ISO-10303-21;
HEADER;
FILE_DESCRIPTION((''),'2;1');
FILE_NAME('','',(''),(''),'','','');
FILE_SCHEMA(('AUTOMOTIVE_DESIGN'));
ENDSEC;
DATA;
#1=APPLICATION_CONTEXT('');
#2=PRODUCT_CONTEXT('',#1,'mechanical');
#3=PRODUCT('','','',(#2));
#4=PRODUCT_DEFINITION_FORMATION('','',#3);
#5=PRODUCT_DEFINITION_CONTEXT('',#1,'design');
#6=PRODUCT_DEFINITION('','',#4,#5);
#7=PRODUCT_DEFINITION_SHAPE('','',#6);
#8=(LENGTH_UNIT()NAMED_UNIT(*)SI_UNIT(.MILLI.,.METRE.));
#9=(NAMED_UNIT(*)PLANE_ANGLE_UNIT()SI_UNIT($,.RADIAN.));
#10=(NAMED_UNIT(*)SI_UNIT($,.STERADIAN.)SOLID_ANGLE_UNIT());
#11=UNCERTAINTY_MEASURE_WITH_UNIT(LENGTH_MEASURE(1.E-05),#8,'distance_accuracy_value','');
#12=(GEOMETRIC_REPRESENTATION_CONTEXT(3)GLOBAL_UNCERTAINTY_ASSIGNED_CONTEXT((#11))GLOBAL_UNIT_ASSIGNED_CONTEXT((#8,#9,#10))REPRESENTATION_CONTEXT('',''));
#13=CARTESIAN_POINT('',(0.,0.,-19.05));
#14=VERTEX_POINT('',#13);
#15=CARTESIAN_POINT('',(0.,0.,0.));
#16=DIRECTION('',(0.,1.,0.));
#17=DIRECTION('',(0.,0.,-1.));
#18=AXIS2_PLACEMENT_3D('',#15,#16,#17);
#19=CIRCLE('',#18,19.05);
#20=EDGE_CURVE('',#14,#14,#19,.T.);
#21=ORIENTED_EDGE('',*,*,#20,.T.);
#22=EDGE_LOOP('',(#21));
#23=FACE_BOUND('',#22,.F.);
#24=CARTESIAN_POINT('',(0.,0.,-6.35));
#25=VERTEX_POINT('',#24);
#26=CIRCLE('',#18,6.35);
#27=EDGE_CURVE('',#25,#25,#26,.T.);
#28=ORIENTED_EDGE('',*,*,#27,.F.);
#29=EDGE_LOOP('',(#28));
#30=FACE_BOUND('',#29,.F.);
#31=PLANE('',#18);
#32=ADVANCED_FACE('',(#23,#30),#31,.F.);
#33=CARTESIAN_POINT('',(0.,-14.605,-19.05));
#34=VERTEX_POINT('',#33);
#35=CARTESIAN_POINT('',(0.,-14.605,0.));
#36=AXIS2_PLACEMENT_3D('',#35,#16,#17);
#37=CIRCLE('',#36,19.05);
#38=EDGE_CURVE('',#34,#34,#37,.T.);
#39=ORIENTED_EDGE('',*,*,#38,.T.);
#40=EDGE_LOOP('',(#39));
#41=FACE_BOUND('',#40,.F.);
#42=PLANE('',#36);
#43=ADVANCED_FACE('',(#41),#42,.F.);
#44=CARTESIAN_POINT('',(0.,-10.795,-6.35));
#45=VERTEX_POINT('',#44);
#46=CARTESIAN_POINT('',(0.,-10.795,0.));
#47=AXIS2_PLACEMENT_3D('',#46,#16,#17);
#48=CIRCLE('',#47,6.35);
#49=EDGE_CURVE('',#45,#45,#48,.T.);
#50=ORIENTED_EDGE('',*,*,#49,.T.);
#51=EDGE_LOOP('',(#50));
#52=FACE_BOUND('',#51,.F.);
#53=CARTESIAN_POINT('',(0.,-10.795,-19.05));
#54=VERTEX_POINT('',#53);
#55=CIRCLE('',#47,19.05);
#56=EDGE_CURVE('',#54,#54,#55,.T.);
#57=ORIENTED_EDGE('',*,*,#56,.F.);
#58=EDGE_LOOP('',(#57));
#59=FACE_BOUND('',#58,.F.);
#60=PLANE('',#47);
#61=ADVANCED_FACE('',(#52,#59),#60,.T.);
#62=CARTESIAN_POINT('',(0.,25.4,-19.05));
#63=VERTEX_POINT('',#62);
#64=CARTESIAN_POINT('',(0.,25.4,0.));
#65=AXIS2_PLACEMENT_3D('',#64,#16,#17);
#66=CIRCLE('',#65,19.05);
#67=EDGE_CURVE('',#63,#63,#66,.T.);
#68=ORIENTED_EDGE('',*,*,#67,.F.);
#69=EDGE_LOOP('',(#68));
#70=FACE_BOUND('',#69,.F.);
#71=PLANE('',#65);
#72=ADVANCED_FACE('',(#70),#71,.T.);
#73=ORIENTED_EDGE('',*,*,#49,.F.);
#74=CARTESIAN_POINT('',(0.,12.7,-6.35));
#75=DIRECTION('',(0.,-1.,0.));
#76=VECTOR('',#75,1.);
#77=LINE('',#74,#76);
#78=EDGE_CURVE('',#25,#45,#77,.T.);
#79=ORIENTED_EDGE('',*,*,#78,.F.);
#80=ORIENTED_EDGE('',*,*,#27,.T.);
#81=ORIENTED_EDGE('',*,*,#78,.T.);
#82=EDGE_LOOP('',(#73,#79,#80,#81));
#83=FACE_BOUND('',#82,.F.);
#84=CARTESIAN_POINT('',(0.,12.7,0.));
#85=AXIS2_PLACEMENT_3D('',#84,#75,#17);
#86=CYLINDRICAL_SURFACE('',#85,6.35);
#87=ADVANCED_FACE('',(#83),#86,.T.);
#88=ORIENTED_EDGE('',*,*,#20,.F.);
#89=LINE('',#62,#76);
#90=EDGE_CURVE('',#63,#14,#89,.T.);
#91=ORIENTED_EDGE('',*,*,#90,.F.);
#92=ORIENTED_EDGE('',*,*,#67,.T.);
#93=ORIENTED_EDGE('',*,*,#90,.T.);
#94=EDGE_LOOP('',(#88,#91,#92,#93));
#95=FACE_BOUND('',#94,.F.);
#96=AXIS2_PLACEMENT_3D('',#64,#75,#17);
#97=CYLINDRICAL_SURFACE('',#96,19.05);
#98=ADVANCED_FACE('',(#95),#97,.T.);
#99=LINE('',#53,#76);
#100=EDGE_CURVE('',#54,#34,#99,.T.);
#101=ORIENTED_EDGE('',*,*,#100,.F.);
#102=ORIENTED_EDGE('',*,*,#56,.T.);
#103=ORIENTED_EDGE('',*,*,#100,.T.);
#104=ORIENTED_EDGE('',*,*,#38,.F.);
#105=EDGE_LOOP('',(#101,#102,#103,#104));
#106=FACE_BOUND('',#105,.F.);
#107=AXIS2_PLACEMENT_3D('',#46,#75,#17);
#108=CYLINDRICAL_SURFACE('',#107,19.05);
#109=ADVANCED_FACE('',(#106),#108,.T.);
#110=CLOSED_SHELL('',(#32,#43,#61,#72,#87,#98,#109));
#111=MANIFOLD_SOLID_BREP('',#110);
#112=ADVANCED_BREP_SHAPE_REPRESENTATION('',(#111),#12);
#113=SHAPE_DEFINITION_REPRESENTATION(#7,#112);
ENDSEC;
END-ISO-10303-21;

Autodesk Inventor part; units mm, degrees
ref_plane "YZ Plane" through (0, 0, 0) normal (1, 0, 0) x (0, 1, 0)
ref_plane "XZ Plane" through (0, 0, 0) normal (0, 1, 0) x (-1, 0, 0)
ref_plane "XY Plane" through (0, 0, 0) normal (0, 0, 1) x (1, 0, 0)
sketch "Sketch1" plane through (0, 0, 0) normal (1, 0, 0) x (0, 1, 0)
  line L0 (-12.7, 6.35) -> (12.7, 6.35)
  line L1 (12.7, 6.35) -> (12.7, -6.35)
  line L2 (12.7, -6.35) -> (-12.7, -6.35)
  line L3 (-12.7, -6.35) -> (-12.7, 6.35)
  line L4 (-12.7, 6.35) -> (12.7, -6.35) construction
  line L5 (12.7, 6.35) -> (-12.7, -6.35) construction
  line L6 (-14.605, 19.05) -> (-10.795, 19.05)
  line L7 (-10.795, 19.05) -> (-10.795, -19.05)
  line L8 (-10.795, -19.05) -> (-14.605, -19.05)
  line L9 (-14.605, -19.05) -> (-14.605, 19.05)
  line L10 (-14.605, 19.05) -> (-10.795, -19.05) construction
  line L11 (-10.795, 19.05) -> (-14.605, -19.05) construction
  line L12 (0, 19.05) -> (25.4, 19.05)
  line L13 (25.4, 19.05) -> (25.4, -19.05)
  line L14 (25.4, -19.05) -> (0, -19.05)
  line L15 (0, -19.05) -> (0, 19.05)
  line L16 (0, 19.05) -> (25.4, -19.05) construction
  line L17 (25.4, 19.05) -> (0, -19.05) construction
  line L18 (-14.605, 0) -> (25.4, 0)
  point P0 (0, 0)
  point P1 (-12.7, 0)
  point P2 (12.7, 0)
  point P3 (-10.795, -6.35)
  point P4 (0, -6.35)
  dimension "d0" = 25.4
  dimension "d1" = 38.1
  dimension "d2" = 3.81
  dimension "d3" = 38.1
  dimension "d5" = 25.4
  dimension "d6" = 12.7
revolve "Revolution1" add sketch "Sketch1" angle 360 about axis through (0, -14.605, 0) along (0, 1, 0) contours L18 L7 L2 L3 | L3 L2 L7 L8 L9 L18 | L18 L15 L2 L7 | L18 L1 L2 L15 | L18 L13 L14 L15 L2 L1
sketch "Sketch2" plane through (0, 25.4, 0) normal (0, 1, 0) x (1, 0, 0)
  point P0 (0, 0)
properties part number "pallet"
